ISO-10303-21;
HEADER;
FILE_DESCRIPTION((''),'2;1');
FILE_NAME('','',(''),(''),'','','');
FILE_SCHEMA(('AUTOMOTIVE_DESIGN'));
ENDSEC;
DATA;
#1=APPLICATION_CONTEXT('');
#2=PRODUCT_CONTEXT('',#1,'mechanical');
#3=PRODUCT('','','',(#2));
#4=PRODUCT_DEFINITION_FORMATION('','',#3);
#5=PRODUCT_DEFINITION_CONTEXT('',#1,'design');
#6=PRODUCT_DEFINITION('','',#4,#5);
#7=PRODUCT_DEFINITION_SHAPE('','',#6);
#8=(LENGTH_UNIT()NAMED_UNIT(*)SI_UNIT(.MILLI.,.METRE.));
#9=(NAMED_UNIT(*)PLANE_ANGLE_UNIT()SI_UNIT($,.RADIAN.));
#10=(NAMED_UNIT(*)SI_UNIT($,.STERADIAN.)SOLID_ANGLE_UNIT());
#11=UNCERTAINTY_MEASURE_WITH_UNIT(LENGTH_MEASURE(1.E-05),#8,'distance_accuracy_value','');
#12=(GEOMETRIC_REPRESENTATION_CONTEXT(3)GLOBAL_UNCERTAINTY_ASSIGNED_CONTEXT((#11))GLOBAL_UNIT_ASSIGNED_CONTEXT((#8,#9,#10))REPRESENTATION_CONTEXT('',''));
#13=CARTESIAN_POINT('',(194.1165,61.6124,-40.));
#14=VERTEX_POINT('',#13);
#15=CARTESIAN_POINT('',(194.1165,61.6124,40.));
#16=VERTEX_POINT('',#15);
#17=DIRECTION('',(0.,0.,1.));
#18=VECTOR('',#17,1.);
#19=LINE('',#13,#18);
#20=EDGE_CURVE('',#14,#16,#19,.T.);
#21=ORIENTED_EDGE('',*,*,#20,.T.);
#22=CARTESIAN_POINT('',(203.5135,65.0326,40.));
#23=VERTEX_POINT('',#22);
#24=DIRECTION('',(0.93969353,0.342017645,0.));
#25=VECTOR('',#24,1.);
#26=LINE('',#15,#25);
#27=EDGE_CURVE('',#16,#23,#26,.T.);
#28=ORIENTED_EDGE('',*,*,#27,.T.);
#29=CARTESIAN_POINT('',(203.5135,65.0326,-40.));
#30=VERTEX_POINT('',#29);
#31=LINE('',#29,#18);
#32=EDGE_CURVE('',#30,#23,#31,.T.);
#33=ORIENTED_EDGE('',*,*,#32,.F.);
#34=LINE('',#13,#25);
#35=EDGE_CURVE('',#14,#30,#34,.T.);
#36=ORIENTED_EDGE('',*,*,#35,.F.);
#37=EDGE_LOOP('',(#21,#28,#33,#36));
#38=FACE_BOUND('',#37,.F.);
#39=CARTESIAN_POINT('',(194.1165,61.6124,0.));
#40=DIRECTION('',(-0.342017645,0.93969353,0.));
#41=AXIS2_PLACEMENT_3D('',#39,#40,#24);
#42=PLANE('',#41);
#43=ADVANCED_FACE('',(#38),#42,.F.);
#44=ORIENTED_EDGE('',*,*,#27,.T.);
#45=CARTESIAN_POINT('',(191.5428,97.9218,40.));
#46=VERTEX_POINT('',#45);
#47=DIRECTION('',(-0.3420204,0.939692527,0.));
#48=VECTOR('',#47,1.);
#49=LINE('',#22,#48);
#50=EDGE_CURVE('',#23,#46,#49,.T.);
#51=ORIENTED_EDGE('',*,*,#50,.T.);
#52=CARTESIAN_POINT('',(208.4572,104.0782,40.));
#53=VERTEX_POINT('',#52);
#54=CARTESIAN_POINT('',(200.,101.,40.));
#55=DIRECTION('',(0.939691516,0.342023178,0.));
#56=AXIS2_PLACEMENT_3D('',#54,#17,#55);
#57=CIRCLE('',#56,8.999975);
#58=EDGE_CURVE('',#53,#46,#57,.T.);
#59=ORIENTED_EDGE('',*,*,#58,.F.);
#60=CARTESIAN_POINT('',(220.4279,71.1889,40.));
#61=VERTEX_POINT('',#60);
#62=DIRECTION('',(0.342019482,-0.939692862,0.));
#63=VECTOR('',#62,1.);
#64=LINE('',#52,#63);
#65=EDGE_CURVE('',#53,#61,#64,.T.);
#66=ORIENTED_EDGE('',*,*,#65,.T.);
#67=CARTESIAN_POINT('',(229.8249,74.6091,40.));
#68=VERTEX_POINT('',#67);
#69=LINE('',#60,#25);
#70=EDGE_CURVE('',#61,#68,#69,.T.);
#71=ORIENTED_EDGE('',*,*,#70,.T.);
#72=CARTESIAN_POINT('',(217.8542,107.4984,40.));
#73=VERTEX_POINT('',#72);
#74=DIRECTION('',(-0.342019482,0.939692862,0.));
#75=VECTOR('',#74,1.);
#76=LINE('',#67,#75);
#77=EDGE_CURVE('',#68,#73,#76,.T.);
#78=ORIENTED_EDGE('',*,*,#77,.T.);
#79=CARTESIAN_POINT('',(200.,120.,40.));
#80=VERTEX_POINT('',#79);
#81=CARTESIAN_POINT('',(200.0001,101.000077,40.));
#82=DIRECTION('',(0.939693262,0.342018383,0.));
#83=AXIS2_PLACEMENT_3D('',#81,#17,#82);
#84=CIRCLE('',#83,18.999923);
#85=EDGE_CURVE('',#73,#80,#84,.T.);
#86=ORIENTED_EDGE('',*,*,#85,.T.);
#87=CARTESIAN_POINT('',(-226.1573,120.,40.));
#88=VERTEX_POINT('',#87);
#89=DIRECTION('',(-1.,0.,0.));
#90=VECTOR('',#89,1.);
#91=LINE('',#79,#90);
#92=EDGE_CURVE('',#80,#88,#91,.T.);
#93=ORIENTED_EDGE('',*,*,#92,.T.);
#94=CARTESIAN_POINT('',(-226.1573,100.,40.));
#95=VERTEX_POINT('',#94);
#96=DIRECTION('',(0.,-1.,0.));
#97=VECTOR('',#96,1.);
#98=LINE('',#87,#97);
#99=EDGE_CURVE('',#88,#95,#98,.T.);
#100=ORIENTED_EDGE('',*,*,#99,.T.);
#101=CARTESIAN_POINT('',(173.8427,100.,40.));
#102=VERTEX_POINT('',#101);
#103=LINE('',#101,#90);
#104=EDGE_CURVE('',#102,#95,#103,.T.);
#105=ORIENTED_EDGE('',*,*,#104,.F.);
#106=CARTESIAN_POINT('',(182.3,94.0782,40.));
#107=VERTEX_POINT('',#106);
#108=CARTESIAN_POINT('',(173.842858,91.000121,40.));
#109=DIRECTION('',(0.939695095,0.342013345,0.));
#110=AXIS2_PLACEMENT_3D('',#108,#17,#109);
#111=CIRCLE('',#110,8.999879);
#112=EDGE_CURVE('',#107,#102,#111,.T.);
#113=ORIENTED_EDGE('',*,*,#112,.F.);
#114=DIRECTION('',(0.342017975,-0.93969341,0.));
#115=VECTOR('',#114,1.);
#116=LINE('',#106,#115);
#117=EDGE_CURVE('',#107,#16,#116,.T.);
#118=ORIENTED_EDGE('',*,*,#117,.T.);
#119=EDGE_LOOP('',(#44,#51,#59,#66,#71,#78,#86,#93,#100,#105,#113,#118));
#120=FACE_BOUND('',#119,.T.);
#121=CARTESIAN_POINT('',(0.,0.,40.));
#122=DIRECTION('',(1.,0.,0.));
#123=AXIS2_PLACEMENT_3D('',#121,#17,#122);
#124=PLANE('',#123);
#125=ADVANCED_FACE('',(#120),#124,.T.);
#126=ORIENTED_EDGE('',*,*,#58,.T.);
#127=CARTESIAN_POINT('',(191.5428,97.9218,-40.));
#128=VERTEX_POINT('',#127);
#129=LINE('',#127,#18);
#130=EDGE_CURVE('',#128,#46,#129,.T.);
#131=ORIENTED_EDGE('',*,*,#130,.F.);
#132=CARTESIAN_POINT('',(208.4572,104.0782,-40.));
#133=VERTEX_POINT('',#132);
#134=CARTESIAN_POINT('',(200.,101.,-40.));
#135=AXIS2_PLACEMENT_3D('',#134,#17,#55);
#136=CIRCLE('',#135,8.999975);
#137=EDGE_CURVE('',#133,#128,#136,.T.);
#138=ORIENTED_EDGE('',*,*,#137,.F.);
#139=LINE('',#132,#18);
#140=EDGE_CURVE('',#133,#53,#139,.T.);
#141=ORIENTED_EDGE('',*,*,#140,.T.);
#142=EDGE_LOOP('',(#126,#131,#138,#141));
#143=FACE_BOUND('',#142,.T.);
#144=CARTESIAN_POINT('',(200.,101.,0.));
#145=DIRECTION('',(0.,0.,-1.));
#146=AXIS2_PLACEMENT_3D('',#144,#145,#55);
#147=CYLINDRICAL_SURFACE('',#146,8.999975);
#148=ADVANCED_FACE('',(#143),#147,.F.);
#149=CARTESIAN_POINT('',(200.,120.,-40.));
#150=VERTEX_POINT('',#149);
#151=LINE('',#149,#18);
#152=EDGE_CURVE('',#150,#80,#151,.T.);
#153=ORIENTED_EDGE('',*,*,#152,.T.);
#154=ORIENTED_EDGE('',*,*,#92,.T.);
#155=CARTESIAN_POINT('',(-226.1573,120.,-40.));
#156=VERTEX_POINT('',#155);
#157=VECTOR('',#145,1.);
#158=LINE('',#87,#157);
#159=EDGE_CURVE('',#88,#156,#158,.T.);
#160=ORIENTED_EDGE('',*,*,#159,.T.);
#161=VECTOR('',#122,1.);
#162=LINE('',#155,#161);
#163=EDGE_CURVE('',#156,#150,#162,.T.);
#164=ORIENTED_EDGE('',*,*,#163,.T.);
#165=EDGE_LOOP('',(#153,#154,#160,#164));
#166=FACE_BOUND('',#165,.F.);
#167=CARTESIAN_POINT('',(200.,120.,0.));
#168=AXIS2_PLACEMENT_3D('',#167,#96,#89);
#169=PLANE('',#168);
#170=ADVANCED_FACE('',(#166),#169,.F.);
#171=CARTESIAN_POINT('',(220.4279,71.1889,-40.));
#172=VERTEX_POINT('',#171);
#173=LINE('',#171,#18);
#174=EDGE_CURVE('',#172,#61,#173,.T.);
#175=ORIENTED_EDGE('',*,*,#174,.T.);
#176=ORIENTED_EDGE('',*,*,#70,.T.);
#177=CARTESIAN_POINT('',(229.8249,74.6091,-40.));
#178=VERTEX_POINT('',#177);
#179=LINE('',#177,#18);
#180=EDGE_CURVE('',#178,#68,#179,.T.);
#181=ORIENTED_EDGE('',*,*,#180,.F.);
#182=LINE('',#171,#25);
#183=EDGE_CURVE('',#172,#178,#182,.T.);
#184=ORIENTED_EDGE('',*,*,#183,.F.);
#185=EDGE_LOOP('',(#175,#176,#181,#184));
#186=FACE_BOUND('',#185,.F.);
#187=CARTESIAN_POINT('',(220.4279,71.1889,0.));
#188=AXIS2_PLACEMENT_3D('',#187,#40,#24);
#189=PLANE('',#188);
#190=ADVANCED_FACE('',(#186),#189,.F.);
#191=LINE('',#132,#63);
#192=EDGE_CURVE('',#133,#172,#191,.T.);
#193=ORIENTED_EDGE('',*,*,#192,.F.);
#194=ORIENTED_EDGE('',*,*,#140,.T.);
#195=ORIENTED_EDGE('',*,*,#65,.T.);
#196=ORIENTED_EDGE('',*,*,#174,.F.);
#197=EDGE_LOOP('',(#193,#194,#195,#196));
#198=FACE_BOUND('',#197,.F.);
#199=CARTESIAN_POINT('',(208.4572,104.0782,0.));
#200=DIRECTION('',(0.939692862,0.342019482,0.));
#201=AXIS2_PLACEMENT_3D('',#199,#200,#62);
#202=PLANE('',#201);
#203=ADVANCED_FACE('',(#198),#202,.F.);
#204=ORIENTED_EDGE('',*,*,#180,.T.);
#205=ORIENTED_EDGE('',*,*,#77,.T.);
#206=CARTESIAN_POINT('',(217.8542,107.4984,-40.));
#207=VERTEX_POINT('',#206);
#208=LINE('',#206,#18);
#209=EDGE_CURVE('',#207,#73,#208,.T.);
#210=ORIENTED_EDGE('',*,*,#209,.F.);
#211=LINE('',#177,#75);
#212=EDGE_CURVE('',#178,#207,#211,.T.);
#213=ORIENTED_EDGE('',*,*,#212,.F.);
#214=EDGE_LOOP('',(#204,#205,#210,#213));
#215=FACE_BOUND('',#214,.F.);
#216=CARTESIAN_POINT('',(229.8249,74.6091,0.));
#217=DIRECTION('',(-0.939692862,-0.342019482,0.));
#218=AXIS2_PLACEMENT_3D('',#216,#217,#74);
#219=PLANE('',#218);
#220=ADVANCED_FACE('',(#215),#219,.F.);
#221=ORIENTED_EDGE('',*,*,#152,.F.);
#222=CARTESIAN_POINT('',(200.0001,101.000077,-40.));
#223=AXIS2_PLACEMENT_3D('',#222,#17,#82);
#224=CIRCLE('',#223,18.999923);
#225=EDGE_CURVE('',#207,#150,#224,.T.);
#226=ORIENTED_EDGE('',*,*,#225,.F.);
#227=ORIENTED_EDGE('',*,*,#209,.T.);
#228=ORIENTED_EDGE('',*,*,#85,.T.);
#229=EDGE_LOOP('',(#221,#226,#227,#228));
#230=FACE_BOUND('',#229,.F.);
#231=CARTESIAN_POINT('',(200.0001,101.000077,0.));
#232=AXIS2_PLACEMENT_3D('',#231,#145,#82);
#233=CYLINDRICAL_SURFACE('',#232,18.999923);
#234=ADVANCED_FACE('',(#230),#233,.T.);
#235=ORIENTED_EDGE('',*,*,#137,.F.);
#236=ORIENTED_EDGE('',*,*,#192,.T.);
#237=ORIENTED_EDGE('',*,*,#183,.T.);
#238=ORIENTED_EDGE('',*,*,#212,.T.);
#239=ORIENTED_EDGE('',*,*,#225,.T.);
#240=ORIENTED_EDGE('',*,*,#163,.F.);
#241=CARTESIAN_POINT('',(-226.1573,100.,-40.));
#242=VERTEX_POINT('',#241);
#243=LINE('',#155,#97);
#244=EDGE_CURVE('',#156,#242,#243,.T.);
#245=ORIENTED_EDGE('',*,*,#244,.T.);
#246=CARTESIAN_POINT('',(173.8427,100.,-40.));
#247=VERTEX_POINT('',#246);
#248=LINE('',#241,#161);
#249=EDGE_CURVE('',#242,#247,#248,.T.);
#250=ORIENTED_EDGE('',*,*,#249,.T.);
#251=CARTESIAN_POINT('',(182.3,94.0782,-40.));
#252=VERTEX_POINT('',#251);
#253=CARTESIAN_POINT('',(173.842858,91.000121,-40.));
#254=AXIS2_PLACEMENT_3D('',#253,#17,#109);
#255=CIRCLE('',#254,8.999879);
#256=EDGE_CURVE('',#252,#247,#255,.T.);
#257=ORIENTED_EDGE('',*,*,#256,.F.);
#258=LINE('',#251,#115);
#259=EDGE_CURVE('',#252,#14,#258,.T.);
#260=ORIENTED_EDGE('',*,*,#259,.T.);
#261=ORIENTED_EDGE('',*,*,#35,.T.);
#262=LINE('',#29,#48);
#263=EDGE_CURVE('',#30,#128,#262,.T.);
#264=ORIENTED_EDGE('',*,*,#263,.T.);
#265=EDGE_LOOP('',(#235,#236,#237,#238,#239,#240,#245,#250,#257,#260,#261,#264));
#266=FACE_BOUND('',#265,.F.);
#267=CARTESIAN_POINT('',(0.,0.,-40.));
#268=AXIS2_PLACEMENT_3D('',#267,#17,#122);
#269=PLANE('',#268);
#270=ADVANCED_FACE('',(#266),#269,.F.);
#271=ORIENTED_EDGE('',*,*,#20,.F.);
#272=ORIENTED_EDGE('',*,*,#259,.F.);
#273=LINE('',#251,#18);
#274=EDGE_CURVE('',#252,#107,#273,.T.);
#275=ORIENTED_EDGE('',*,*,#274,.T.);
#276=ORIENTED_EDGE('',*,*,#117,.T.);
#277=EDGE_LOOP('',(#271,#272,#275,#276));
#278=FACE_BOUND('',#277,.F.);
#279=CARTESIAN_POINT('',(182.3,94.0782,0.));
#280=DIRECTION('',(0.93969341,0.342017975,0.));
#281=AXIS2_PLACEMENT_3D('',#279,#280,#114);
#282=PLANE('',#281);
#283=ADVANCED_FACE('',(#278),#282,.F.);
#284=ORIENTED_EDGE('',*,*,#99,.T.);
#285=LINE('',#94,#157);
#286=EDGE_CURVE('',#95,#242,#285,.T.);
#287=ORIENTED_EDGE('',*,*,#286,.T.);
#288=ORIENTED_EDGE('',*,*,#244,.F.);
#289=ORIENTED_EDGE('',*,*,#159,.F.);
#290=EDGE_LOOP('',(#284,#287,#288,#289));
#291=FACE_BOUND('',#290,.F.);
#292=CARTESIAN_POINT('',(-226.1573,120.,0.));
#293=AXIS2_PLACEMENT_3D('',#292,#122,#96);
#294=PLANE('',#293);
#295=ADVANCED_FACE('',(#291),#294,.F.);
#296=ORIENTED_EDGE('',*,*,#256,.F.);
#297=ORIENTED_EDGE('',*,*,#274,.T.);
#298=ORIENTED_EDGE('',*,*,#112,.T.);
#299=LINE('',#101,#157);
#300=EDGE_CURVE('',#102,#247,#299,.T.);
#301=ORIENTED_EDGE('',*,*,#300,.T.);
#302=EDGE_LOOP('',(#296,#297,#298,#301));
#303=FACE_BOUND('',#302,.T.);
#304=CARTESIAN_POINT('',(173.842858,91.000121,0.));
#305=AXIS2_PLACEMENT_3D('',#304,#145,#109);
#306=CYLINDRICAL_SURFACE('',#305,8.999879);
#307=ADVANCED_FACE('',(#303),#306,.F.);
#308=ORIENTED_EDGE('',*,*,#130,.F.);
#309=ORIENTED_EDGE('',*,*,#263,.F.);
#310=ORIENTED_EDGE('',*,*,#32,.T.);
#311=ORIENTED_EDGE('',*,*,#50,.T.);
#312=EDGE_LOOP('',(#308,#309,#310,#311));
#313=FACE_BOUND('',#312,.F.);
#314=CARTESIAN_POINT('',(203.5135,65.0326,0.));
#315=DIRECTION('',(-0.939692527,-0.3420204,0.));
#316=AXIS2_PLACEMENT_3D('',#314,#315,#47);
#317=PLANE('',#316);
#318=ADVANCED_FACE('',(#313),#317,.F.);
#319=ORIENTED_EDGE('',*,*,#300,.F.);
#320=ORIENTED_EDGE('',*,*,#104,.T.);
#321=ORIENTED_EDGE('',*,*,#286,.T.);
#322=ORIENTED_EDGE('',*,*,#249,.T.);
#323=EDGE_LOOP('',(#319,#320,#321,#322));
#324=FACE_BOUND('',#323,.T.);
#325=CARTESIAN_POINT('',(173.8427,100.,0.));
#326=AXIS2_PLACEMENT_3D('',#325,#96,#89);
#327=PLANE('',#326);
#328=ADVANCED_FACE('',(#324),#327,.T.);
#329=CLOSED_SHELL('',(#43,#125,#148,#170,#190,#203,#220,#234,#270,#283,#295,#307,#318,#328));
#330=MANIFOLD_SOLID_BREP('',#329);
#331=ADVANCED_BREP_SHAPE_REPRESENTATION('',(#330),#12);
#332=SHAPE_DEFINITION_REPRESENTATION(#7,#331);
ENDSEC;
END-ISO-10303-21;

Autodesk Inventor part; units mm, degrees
ref_plane "YZ Plane" through (0, 0, 0) normal (1, 0, 0) x (0, 1, 0)
ref_plane "XZ Plane" through (0, 0, 0) normal (0, 1, 0) x (-1, 0, 0)
ref_plane "XY Plane" through (0, 0, 0) normal (0, 0, 1) x (1, 0, 0)
sketch "Sketch1" plane through (0, 0, 0) normal (0, 0, 1) x (1, 0, 0)
  line L0 (182.3, 94.0782) -> (194.1165, 61.6124)
  line L1 (194.1165, 61.6124) -> (203.5135, 65.0326)
  line L2 (203.5135, 65.0326) -> (191.5428, 97.9218)
  arc A0 (208.4572, 104.0782) -> (191.5428, 97.9218) centre (200, 101) ccw
  line L3 (208.4572, 104.0782) -> (220.4279, 71.1889)
  line L4 (220.4279, 71.1889) -> (229.8249, 74.6091)
  line L5 (229.8249, 74.6091) -> (217.8542, 107.4984)
  arc A1 (217.8542, 107.4984) -> (200, 120) centre (200, 101) ccw
  line L6 (173.8427, 100) -> (-226.1573, 100)
  line L7 (200, 120) -> (-226.1573, 120)
  line L8 (-226.1573, 120) -> (-226.1573, 100)
  line L9 (0, 135.0552) -> (0, 49.3719) projected
  line L10 (-317.3537, 0) -> (321.0213, 0) projected
  arc A2 (182.3, 94.0782) -> (173.8427, 100) centre (173.8427, 91) ccw
  dimension "d38" = 10
  dimension "d39" = 10
  dimension "d40" = 9
  dimension "d47" = 20
  dimension "d53" = 9
  dimension "d56" = 400
  dimension "d58" = 200
  dimension "d59" = 35
  dimension "d60" = 20
  dimension "d61" = 100
extrude "Extrusion1" add sketch "Sketch1" along normal mid plane 80
equation "\"d39\" = d38"
equation "\"secure_arm_radii\" = 9"
equation "\"secure_arm_hold_length\" = 35"
equation "\"rack_tooth_thickness\" = 5"
equation "\"rack_tooth_addendum\" = 5"
equation "\"rack_tooth_dedendum\" = 5"
equation "\"hoop_bearing_length\" = 5deg"
equation "\"secure_arm_angle\" = 20deg"
properties part number "grip_N_fix"
